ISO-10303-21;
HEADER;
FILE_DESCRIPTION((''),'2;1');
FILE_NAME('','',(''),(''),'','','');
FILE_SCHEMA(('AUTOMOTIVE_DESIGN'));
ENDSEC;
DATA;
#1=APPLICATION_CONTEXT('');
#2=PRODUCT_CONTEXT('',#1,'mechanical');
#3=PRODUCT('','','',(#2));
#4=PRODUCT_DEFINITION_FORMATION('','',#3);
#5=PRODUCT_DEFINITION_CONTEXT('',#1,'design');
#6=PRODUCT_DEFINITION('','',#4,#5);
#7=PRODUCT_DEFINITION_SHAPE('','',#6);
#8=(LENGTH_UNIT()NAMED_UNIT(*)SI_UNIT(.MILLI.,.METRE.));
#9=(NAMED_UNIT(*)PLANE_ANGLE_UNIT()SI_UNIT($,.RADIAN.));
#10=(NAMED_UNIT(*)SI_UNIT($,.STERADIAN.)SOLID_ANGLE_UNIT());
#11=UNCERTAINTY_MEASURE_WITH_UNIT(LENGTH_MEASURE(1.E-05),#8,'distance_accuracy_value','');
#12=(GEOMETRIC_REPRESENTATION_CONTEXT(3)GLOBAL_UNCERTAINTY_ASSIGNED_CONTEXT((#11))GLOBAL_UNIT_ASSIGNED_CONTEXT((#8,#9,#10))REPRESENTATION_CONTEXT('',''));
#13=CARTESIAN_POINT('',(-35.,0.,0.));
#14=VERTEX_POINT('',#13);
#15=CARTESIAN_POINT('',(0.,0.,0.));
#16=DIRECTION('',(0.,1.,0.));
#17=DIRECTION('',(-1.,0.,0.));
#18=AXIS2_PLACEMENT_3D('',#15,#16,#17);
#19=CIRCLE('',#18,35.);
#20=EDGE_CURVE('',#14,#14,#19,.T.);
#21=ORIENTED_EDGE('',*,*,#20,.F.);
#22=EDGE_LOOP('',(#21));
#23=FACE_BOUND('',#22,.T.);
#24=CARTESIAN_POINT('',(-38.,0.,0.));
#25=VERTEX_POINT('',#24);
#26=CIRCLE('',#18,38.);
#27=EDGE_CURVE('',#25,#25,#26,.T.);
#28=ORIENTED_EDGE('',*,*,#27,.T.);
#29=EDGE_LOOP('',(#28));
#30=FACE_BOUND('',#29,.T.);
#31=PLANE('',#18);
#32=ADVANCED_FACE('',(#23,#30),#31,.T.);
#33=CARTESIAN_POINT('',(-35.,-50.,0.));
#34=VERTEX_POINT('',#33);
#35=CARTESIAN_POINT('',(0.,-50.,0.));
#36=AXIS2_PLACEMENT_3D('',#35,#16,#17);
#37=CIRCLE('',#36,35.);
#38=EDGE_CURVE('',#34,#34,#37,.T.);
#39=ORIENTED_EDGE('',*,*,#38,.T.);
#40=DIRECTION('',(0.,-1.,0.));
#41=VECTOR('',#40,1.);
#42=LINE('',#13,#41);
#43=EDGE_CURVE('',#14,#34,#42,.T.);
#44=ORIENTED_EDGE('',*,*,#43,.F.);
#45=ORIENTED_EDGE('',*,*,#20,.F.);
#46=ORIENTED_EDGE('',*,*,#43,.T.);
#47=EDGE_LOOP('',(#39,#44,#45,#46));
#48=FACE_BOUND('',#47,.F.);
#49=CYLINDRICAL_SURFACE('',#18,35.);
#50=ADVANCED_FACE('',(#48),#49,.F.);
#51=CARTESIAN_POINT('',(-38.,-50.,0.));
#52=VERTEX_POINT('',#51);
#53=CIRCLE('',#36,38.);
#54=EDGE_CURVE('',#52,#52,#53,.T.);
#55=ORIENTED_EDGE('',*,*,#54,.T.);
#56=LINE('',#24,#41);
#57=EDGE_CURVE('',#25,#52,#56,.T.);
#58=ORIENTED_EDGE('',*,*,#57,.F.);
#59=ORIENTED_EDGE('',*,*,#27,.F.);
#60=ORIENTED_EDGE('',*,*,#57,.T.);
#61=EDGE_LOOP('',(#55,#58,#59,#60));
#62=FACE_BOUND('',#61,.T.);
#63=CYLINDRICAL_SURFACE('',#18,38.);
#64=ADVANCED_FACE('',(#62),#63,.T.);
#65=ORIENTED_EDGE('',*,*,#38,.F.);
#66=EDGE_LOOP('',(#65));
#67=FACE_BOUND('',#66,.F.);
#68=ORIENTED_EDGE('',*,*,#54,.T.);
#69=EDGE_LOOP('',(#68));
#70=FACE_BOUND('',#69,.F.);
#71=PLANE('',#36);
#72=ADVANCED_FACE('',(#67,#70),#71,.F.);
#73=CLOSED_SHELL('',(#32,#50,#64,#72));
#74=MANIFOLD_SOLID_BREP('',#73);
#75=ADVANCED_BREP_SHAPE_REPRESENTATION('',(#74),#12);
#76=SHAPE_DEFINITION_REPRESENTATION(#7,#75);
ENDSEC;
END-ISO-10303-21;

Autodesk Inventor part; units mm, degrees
ref_plane "YZ Plane" through (0, 0, 0) normal (1, 0, 0) x (0, 1, 0)
ref_plane "XZ Plane" through (0, 0, 0) normal (0, 1, 0) x (-1, 0, 0)
ref_plane "XY Plane" through (0, 0, 0) normal (0, 0, 1) x (1, 0, 0)
sketch "Sketch1" plane through (0, 0, 0) normal (0, 1, 0) x (-1, 0, 0)
  circle A0 centre (0, 0) radius 38
  circle A1 centre (0, 0) radius 35
  dimension "d0" = 76
  dimension "d1" = 3
extrude "Extrusion1" add sketch "Sketch1" against normal blind 50
properties part number "TZS 0934 FDS tube 4" material "Steel"
